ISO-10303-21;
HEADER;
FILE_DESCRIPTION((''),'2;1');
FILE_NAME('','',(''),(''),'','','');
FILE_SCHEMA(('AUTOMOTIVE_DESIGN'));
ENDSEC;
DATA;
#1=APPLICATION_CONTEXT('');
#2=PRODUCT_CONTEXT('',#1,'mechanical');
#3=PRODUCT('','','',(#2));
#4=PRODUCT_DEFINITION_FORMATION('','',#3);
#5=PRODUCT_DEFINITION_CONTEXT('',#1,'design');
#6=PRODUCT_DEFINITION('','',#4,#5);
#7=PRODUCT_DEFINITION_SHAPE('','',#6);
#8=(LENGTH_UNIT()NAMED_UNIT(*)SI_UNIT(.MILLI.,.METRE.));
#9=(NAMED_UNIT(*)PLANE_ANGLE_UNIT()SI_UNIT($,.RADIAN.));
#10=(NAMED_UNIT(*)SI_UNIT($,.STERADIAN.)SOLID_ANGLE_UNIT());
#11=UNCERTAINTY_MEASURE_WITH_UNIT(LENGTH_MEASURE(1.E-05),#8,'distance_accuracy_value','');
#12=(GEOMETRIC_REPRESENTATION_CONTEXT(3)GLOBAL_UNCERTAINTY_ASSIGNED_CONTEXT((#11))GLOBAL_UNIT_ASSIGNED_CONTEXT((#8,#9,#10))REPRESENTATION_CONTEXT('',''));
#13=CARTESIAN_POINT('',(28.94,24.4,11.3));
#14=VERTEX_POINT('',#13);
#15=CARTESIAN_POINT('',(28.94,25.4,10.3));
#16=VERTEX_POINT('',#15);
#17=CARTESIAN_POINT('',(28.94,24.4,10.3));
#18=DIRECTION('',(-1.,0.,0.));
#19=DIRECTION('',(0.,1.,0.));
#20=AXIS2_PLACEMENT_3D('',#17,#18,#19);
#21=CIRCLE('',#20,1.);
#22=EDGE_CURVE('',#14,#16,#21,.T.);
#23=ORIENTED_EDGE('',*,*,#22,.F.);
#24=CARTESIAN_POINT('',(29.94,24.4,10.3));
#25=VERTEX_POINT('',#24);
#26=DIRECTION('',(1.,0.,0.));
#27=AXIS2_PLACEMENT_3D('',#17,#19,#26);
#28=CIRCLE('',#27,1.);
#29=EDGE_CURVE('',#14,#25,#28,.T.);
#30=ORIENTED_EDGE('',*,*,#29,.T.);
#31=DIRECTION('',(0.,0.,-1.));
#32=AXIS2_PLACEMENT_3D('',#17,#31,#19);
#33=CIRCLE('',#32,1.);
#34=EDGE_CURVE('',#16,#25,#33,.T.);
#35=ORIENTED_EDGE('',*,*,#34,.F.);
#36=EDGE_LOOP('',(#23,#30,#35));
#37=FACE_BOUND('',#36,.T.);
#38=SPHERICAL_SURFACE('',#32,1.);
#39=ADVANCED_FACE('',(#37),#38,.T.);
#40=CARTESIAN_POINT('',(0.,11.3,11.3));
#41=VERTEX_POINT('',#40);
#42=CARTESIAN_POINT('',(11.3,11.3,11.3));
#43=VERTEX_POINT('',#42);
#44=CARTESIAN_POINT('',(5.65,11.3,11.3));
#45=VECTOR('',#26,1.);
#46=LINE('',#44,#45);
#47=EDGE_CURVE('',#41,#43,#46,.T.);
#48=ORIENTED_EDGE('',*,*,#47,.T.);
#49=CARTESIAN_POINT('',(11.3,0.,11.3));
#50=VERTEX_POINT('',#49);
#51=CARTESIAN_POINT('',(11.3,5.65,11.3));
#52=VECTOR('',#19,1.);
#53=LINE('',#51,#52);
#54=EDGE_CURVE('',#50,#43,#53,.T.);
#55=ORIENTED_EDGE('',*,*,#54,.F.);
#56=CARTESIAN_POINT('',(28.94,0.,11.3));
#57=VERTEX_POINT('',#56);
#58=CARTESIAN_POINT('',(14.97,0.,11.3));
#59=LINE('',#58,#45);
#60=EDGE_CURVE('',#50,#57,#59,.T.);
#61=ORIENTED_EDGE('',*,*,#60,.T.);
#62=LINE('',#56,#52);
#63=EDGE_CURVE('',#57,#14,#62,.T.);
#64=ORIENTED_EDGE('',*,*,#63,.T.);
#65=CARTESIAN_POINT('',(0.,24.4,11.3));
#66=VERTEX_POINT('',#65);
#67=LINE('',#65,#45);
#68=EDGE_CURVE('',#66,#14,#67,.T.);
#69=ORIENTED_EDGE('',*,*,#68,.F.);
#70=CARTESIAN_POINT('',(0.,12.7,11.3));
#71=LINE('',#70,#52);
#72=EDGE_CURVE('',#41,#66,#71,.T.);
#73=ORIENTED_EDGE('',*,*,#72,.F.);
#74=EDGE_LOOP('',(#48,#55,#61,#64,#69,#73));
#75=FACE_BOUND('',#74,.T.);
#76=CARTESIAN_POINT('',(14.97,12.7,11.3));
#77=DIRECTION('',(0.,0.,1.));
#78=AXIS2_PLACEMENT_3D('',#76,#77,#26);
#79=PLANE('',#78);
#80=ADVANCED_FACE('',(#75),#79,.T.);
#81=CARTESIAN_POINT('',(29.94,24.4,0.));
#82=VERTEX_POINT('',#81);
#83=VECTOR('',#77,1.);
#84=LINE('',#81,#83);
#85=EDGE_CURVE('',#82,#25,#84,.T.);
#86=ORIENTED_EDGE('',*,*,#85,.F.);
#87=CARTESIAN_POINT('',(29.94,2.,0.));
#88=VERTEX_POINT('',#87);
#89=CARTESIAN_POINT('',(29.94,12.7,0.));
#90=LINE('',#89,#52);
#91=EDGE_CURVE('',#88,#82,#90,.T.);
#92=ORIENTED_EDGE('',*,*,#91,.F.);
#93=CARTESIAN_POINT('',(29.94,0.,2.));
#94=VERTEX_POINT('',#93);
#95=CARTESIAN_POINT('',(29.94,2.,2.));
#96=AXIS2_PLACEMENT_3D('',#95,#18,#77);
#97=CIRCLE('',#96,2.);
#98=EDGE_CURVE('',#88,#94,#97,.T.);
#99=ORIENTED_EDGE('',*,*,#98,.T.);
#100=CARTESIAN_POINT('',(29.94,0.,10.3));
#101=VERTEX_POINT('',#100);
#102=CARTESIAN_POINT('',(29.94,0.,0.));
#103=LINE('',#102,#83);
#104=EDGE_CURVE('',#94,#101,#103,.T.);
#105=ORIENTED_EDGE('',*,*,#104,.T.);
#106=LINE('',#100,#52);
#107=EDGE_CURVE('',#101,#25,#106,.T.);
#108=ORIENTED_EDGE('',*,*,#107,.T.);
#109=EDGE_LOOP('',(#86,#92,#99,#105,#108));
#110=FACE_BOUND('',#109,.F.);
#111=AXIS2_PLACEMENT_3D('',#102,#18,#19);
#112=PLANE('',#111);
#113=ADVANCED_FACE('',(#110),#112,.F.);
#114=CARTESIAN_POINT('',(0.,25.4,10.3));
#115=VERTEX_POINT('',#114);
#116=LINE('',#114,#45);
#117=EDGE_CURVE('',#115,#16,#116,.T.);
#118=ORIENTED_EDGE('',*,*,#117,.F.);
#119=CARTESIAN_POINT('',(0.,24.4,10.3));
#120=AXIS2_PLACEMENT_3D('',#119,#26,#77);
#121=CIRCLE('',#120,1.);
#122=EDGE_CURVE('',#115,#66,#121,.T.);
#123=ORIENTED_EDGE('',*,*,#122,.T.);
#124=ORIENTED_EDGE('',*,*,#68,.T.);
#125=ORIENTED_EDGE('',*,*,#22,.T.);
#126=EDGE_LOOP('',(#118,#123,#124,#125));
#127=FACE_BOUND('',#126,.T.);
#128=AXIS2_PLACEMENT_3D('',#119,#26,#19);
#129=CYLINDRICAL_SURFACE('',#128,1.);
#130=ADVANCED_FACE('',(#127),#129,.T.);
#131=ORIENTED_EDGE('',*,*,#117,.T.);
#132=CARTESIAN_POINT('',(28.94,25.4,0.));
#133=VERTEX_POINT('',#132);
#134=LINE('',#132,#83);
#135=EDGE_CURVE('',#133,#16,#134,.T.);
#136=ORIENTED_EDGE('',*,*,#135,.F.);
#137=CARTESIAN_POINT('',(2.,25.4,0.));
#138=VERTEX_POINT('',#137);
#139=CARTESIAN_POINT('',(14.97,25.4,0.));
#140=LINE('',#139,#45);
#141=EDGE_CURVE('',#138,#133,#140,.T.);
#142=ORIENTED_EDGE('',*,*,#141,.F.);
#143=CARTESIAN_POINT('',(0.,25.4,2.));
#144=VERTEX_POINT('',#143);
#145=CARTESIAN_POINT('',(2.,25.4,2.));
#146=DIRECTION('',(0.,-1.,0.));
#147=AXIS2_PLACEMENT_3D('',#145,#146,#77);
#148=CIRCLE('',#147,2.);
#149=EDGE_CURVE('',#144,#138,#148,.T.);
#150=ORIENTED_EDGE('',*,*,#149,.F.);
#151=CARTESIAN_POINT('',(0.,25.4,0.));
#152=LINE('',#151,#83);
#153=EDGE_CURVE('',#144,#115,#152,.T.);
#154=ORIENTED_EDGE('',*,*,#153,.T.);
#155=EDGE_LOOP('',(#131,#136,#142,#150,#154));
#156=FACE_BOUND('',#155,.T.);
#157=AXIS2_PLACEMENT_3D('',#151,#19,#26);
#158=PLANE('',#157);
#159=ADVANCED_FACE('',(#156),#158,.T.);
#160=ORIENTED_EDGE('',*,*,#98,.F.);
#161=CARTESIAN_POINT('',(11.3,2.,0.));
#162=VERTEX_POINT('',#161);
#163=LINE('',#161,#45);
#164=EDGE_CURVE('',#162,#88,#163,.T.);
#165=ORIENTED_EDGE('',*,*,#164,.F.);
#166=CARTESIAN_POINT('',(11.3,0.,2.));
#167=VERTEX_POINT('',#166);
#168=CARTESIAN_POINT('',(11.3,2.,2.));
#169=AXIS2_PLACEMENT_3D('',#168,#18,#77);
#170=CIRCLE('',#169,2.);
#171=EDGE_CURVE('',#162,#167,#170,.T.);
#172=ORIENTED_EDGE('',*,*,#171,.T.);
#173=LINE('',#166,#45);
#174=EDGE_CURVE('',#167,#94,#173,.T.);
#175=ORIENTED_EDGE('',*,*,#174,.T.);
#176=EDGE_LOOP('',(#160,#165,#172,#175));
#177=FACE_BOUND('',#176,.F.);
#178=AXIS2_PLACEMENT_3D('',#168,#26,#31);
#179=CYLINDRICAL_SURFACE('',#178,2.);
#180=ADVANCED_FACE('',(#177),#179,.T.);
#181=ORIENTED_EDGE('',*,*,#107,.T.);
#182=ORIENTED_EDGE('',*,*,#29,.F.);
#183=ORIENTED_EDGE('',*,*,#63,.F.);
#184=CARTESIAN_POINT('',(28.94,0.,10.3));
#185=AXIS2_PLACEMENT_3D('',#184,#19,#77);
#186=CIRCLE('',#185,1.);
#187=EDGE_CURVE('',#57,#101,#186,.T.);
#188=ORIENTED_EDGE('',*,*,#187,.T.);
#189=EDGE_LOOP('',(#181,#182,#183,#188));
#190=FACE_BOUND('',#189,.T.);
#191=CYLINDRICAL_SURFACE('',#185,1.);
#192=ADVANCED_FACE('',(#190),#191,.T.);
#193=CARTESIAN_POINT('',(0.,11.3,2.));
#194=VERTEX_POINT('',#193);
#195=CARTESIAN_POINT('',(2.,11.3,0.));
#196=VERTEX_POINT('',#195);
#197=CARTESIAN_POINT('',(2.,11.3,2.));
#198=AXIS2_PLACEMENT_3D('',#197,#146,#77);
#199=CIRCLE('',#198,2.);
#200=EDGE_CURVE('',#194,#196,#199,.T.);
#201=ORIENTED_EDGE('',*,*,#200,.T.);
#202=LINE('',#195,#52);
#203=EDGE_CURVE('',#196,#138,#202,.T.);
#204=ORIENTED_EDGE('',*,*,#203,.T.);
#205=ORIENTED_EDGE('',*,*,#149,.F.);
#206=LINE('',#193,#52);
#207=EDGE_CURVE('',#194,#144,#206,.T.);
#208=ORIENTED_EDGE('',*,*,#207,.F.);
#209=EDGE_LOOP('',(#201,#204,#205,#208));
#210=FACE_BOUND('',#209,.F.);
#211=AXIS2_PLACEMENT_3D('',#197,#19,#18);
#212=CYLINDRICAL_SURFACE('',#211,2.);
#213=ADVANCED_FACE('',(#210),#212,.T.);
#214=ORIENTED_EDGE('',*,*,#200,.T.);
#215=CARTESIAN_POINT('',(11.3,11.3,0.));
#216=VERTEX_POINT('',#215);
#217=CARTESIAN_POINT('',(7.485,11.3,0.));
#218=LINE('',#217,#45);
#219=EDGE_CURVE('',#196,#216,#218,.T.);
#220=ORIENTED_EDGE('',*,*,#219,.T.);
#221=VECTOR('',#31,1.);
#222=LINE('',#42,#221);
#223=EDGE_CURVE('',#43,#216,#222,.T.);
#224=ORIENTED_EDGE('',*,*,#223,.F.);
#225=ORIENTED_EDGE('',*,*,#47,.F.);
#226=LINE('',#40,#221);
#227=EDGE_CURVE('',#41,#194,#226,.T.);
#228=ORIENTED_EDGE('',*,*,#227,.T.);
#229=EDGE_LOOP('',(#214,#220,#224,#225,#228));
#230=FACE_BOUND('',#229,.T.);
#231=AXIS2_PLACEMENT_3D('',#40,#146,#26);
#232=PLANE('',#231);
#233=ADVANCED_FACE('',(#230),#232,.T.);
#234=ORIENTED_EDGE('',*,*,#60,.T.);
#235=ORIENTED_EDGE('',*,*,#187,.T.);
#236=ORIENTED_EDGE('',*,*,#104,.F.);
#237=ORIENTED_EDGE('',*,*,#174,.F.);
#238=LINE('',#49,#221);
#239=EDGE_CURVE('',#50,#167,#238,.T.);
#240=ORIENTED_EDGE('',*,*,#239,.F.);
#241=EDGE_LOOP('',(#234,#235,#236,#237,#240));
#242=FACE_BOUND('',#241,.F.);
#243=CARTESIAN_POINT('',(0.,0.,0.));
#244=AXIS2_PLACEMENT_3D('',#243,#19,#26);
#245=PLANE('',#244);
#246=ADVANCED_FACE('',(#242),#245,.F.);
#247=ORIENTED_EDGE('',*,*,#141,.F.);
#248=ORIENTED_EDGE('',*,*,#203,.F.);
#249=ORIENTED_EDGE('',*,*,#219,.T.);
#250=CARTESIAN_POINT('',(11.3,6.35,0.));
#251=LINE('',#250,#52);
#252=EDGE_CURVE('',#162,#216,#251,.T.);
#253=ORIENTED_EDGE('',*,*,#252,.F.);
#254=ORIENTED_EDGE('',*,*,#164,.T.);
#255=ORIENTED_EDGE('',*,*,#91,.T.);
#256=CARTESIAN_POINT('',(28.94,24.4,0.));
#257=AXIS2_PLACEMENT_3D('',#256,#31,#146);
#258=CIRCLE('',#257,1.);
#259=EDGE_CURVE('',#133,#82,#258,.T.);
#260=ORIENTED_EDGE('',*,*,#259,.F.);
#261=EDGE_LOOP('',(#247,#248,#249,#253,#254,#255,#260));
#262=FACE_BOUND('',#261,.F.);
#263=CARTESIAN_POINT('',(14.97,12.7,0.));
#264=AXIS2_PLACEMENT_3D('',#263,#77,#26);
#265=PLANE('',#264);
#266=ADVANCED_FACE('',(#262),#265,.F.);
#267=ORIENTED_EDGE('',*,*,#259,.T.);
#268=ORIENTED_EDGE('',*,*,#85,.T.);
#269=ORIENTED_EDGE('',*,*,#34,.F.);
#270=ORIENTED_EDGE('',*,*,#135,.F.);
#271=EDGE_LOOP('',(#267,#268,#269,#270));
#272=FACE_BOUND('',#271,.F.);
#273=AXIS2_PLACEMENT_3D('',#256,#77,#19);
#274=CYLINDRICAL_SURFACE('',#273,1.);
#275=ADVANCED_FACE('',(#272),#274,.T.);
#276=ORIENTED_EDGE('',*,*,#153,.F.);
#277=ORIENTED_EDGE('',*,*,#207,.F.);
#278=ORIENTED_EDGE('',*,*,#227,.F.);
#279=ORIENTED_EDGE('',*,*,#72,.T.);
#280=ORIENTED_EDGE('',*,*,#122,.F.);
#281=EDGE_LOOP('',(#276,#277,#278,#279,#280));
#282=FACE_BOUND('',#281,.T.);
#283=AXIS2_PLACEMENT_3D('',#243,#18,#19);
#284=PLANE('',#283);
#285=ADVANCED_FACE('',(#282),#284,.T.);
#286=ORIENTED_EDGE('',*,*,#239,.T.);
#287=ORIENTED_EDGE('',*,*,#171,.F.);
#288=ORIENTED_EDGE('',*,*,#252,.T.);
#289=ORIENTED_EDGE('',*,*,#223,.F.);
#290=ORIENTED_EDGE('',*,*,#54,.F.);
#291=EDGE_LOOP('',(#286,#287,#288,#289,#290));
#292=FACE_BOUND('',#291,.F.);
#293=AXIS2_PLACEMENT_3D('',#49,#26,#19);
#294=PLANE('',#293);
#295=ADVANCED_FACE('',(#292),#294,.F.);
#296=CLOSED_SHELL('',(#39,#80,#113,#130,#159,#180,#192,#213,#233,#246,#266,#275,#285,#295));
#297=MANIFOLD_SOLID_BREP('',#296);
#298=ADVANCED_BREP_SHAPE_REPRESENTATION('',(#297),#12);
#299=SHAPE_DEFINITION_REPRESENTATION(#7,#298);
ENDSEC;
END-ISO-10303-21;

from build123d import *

# Parameters (mm, degrees)
F0_W     = 29.94
F0_H     = 25.4
F1_DEPTH = 11.3
F2_W     = 11.3
F2_H     = 11.3
F3_DEPTH = 25
F4_R     = 2
F5_R     = 1


with BuildPart() as f1:
    # F0 (on Top) → F1 (new body)
    with BuildSketch(Plane.XY):
        with Locations((14.97, 12.7)):
            Rectangle(F0_W, F0_H)
    extrude(amount=F1_DEPTH)

    # F2 (on face) → F3 (cut)
    with BuildSketch(Plane.XY.offset(11.3)):
        with Locations((5.65, 5.65)):
            Rectangle(F2_W, F2_H)
    extrude(amount=-F3_DEPTH, mode=Mode.SUBTRACT)

    # F4
    f4_edges = [f1.edges().sort_by_distance(p)[0] for p in [
        (20.62, 0, 0),
        (0, 18.35, 0),
    ]]
    fillet(f4_edges, radius=F4_R)

    # F5
    f5_edges = [f1.edges().sort_by_distance(p)[0] for p in [
        (29.94, 25.4, 5.65),
        (14.97, 25.4, 11.3),
        (29.94, 12.7, 11.3),
    ]]
    fillet(f5_edges, radius=F5_R)


solid = f1.part
